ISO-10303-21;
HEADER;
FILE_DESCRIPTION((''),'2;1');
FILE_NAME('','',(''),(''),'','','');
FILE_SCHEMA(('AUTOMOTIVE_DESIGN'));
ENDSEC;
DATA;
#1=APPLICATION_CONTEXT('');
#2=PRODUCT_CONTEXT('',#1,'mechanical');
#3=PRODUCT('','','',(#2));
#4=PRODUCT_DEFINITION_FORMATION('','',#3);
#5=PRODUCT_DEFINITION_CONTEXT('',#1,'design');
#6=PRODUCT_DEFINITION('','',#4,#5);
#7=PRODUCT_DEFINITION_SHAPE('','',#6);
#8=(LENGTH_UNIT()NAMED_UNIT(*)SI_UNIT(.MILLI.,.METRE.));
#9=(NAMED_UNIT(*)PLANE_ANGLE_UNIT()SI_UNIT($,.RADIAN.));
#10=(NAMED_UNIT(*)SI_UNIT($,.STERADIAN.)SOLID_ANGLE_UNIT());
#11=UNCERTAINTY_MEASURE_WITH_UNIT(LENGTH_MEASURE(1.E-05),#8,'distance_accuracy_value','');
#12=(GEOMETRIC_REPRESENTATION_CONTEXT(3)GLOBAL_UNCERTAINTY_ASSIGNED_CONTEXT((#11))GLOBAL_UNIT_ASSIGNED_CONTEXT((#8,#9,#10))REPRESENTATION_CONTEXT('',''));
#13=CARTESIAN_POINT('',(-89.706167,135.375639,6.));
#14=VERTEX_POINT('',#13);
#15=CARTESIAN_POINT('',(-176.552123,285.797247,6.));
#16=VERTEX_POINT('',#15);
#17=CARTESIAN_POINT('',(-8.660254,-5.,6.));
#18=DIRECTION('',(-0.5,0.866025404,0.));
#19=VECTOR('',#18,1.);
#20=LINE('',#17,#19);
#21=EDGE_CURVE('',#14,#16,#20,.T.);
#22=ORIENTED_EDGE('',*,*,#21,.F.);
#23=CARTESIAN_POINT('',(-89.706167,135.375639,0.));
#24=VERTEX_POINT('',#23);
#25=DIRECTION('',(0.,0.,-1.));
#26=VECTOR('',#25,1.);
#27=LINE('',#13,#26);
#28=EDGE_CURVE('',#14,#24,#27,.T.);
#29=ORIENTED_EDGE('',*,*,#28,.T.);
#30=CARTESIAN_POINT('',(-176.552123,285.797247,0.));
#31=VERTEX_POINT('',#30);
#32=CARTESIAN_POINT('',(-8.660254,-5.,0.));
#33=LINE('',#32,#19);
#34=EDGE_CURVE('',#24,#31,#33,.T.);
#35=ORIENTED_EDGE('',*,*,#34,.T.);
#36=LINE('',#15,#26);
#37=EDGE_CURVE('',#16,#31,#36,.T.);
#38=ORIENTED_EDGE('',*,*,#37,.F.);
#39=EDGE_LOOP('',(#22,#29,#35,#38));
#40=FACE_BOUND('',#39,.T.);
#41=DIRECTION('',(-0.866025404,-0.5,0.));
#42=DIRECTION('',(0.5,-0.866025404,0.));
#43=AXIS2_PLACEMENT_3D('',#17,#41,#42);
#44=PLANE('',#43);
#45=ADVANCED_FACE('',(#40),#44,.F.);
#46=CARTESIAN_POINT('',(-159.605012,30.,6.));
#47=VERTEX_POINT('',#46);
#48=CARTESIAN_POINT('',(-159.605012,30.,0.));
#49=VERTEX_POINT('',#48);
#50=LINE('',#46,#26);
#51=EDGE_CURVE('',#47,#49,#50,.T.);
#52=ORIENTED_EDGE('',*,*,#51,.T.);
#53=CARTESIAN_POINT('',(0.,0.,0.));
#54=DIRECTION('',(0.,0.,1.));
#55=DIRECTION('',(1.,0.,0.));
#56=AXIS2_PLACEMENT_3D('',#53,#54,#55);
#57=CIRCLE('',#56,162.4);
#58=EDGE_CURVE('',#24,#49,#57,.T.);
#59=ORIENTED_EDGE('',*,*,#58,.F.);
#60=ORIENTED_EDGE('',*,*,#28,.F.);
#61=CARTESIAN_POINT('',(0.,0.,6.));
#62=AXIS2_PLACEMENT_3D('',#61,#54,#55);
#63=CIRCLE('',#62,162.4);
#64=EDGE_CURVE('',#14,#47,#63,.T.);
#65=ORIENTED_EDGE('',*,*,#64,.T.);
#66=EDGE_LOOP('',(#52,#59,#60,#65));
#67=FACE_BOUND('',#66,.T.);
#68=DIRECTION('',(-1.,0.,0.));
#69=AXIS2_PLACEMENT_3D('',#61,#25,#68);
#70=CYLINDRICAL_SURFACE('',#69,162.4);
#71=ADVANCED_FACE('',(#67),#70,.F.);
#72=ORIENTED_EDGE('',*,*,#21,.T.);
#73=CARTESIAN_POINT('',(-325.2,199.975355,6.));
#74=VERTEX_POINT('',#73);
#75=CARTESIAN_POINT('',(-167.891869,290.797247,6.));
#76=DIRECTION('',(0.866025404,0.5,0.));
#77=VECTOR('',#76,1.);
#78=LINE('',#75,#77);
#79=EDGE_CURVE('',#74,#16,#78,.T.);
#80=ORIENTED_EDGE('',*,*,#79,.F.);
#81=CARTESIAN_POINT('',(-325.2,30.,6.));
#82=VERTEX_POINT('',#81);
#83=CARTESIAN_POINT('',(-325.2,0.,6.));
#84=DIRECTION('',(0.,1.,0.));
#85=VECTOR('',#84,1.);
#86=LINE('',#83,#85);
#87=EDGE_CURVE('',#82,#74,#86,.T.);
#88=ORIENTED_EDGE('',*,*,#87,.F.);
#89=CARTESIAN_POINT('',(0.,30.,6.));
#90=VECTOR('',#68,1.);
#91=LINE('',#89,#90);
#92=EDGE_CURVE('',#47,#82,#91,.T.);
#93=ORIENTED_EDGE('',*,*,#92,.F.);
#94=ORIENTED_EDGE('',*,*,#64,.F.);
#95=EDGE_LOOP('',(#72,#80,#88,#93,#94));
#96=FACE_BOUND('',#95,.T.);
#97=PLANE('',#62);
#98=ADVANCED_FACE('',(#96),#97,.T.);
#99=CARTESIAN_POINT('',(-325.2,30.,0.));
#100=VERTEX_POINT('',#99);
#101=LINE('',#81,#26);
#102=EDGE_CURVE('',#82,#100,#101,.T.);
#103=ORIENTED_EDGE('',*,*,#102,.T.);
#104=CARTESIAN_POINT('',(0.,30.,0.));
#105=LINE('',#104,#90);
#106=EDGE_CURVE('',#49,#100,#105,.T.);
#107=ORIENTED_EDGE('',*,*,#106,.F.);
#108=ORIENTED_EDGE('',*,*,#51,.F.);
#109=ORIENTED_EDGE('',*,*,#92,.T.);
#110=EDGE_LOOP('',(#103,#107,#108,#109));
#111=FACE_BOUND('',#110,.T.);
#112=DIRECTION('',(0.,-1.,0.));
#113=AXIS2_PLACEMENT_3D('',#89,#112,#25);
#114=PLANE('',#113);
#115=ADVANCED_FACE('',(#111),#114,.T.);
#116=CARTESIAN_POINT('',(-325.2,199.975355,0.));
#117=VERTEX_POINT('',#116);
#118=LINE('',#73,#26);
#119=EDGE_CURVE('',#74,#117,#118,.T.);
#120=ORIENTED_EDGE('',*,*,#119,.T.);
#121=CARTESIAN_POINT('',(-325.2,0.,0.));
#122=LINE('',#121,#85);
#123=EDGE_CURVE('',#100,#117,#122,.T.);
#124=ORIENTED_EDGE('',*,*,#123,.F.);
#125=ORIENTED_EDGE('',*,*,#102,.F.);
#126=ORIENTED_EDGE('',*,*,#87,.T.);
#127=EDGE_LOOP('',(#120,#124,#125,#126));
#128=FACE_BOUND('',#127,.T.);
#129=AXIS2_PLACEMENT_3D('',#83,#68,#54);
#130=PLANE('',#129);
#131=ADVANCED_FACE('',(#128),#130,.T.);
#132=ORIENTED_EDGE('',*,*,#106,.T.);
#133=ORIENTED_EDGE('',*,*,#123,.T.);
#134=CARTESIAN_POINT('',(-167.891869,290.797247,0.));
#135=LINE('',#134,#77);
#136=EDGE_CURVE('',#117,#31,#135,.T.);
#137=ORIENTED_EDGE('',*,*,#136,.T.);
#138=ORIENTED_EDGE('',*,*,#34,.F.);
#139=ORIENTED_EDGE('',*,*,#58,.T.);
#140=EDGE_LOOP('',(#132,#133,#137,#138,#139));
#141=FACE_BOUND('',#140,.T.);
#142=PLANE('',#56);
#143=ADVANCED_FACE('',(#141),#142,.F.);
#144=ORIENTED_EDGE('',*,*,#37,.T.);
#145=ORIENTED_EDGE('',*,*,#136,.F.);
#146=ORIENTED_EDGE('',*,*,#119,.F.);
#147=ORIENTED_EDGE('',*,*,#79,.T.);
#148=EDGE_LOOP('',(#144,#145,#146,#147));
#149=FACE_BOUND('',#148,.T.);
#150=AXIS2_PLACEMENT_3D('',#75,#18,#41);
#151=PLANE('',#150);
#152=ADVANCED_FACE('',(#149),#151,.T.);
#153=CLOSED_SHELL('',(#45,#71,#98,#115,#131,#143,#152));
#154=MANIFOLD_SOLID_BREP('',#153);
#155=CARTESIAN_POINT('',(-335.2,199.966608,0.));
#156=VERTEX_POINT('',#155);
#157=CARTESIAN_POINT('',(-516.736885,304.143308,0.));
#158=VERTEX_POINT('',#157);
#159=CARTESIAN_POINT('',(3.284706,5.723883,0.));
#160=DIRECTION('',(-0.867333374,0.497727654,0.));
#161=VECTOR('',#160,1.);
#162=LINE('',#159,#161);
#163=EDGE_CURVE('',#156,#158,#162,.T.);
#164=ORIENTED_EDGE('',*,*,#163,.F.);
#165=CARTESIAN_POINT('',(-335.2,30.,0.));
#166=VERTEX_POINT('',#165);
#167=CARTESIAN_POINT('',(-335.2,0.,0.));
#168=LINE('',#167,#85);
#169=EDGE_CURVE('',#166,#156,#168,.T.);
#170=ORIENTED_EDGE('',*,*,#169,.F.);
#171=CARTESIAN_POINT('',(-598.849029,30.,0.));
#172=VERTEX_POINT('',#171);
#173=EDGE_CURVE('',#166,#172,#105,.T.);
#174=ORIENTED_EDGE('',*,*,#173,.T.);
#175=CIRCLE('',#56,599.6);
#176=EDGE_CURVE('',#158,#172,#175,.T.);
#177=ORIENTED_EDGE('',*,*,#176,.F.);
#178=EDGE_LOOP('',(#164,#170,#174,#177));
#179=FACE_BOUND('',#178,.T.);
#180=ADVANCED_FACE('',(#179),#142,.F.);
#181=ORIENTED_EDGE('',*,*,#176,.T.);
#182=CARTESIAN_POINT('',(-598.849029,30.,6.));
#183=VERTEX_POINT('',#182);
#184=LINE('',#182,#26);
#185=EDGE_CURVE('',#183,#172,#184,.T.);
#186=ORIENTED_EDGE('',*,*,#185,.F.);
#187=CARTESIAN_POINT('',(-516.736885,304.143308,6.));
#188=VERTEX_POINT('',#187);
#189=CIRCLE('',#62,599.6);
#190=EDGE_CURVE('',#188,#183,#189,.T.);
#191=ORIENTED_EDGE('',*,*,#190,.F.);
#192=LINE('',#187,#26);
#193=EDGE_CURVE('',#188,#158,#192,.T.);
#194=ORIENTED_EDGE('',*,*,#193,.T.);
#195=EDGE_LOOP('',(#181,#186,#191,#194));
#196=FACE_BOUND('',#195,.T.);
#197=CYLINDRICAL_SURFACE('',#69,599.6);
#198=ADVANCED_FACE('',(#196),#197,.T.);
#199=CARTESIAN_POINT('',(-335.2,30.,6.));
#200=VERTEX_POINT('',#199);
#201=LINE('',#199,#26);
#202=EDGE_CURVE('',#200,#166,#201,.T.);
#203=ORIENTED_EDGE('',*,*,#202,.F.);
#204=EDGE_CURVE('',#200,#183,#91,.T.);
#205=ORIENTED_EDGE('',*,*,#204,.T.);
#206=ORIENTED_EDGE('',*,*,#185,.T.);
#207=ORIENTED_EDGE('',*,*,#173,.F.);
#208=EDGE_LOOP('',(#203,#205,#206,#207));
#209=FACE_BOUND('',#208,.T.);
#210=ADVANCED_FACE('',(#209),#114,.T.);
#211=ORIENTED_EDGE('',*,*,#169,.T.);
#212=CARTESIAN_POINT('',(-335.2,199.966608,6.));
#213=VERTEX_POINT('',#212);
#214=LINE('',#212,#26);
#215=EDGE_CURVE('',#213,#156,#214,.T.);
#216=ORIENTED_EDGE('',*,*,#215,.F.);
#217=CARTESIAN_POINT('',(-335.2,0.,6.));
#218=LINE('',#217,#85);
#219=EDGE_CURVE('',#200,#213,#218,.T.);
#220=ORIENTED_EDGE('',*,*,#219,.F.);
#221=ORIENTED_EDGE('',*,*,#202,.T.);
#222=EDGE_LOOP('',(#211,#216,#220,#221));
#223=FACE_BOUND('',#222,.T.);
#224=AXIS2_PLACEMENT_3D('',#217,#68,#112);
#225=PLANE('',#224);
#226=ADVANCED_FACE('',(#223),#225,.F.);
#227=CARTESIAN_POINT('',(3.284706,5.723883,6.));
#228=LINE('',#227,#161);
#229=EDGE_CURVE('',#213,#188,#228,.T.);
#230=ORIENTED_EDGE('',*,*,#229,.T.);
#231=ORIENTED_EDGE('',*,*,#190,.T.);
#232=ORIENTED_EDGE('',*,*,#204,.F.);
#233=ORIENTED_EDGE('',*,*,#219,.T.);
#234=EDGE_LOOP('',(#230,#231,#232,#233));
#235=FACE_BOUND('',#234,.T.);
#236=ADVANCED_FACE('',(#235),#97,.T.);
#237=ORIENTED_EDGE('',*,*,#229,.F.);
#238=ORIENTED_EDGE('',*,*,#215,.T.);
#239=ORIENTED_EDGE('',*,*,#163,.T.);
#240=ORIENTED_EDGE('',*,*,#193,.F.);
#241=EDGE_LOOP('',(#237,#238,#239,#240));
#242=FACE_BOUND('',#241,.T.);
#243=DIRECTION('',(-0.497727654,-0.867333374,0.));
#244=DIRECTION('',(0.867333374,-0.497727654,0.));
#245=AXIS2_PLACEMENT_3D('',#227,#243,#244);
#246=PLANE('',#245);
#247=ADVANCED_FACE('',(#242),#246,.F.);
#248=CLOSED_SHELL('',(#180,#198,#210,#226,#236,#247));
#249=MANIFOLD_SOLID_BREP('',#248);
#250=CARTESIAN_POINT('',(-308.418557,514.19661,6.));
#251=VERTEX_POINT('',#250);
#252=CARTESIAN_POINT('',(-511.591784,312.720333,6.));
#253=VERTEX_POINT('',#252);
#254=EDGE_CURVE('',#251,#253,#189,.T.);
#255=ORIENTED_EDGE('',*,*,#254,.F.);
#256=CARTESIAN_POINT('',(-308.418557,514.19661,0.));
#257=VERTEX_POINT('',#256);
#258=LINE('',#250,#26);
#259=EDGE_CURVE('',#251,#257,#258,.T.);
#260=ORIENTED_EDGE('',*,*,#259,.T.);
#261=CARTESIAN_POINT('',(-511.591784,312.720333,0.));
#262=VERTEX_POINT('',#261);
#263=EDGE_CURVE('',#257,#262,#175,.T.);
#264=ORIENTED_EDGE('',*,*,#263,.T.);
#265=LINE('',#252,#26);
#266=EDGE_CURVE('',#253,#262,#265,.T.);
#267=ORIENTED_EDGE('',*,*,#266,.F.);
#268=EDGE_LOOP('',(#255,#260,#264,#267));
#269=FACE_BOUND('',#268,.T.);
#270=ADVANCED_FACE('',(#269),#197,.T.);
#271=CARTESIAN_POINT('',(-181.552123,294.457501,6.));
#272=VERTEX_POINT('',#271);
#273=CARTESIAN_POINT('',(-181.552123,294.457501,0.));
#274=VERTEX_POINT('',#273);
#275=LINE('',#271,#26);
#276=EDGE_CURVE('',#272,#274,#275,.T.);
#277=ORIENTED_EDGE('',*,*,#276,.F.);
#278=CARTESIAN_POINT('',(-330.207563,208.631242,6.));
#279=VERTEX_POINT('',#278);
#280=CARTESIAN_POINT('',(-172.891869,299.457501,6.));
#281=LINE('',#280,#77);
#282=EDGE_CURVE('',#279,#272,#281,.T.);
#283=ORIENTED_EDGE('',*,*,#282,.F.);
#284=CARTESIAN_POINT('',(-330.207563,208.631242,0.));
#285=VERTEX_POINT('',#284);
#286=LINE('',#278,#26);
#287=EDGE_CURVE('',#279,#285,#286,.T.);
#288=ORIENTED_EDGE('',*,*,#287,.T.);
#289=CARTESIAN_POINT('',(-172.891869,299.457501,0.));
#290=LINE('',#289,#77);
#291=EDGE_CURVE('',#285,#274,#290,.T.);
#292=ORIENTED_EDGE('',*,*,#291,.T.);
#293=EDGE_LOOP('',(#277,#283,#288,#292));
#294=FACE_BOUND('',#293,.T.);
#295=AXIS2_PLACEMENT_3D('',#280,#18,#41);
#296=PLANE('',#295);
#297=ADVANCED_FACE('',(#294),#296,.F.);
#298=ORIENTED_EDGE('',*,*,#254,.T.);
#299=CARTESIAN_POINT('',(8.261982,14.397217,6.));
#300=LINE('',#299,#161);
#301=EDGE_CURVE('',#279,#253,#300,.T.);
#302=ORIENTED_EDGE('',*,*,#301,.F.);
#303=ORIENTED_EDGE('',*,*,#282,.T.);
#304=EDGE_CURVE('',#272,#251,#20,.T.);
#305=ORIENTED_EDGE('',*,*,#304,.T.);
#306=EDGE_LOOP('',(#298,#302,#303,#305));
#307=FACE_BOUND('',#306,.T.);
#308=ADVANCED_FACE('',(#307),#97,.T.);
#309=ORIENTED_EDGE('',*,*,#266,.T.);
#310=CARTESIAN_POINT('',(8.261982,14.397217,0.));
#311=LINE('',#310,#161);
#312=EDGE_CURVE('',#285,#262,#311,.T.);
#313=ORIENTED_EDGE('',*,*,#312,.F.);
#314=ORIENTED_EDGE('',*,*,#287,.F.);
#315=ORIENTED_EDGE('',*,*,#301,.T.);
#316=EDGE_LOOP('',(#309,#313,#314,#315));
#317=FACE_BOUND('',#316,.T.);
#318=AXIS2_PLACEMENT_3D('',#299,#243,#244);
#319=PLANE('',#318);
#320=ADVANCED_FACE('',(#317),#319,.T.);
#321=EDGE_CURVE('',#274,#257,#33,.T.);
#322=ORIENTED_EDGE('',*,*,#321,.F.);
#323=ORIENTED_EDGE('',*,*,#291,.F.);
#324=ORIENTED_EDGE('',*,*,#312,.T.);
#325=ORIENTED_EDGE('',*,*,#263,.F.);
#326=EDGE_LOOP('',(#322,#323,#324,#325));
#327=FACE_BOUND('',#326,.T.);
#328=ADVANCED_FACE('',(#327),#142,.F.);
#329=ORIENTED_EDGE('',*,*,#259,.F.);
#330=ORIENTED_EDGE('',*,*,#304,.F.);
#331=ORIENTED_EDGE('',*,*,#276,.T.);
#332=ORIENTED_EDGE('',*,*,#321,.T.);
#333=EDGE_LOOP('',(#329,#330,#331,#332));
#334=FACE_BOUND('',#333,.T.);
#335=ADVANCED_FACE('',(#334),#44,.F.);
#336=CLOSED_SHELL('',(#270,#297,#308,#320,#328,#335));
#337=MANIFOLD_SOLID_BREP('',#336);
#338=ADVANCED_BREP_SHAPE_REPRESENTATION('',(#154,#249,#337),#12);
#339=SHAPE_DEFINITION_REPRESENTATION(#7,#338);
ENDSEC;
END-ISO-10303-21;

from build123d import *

# Parameters (mm, degrees)
BOSS_EXTRUDE2_DEPTH   = 6
BOSS_EXTRUDE2_2_DEPTH = 6
BOSS_EXTRUDE2_3_DEPTH = 6


with BuildPart() as part:
    # Sketch1 → Boss-Extrude2 (new body)
    with BuildSketch(Plane.XY):
        with BuildLine():
            Line((-335.2, 199.966608393), (-516.736885171, 304.143307511))
            ThreePointArc((-516.736885171, 304.143307511), (-574.388040835, 172.042258023), (-598.849029389, 30))
            Line((-598.849029389, 30), (-335.2, 30))
            Line((-335.2, 30), (-335.2, 199.966608393))
        make_face()
    extrude(amount=BOSS_EXTRUDE2_DEPTH)


with BuildPart() as body_2:
    # Sketch1 → Boss-Extrude2 2 (new body)
    with BuildSketch(Plane.XY):
        with BuildLine():
            Line((-181.552122678, 294.457500701), (-308.418556675, 514.196610158))
            ThreePointArc((-308.418556675, 514.196610158), (-422.199493266, 425.755502473), (-511.591783696, 312.720333293))
            Line((-511.591783696, 312.720333293), (-330.207563047, 208.631242188))
            Line((-330.207563047, 208.631242188), (-181.552122678, 294.457500701))
        make_face()
    extrude(amount=BOSS_EXTRUDE2_2_DEPTH)


with BuildPart() as body_3:
    # Sketch1 → Boss-Extrude2 3 (new body)
    with BuildSketch(Plane.XY):
        with BuildLine():
            ThreePointArc((-89.706166951, 135.375638912), (-135.333005446, 89.770471966), (-159.605012453, 30))
            Line((-159.605012453, 30), (-325.2, 30))
            Line((-325.2, 30), (-325.2, 199.975354677))
            Line((-325.2, 199.975354677), (-176.552122678, 285.797246663))
            Line((-176.552122678, 285.797246663), (-89.706166951, 135.375638912))
        make_face()
    extrude(amount=BOSS_EXTRUDE2_3_DEPTH)


solid = Compound([part.part, body_2.part, body_3.part])
